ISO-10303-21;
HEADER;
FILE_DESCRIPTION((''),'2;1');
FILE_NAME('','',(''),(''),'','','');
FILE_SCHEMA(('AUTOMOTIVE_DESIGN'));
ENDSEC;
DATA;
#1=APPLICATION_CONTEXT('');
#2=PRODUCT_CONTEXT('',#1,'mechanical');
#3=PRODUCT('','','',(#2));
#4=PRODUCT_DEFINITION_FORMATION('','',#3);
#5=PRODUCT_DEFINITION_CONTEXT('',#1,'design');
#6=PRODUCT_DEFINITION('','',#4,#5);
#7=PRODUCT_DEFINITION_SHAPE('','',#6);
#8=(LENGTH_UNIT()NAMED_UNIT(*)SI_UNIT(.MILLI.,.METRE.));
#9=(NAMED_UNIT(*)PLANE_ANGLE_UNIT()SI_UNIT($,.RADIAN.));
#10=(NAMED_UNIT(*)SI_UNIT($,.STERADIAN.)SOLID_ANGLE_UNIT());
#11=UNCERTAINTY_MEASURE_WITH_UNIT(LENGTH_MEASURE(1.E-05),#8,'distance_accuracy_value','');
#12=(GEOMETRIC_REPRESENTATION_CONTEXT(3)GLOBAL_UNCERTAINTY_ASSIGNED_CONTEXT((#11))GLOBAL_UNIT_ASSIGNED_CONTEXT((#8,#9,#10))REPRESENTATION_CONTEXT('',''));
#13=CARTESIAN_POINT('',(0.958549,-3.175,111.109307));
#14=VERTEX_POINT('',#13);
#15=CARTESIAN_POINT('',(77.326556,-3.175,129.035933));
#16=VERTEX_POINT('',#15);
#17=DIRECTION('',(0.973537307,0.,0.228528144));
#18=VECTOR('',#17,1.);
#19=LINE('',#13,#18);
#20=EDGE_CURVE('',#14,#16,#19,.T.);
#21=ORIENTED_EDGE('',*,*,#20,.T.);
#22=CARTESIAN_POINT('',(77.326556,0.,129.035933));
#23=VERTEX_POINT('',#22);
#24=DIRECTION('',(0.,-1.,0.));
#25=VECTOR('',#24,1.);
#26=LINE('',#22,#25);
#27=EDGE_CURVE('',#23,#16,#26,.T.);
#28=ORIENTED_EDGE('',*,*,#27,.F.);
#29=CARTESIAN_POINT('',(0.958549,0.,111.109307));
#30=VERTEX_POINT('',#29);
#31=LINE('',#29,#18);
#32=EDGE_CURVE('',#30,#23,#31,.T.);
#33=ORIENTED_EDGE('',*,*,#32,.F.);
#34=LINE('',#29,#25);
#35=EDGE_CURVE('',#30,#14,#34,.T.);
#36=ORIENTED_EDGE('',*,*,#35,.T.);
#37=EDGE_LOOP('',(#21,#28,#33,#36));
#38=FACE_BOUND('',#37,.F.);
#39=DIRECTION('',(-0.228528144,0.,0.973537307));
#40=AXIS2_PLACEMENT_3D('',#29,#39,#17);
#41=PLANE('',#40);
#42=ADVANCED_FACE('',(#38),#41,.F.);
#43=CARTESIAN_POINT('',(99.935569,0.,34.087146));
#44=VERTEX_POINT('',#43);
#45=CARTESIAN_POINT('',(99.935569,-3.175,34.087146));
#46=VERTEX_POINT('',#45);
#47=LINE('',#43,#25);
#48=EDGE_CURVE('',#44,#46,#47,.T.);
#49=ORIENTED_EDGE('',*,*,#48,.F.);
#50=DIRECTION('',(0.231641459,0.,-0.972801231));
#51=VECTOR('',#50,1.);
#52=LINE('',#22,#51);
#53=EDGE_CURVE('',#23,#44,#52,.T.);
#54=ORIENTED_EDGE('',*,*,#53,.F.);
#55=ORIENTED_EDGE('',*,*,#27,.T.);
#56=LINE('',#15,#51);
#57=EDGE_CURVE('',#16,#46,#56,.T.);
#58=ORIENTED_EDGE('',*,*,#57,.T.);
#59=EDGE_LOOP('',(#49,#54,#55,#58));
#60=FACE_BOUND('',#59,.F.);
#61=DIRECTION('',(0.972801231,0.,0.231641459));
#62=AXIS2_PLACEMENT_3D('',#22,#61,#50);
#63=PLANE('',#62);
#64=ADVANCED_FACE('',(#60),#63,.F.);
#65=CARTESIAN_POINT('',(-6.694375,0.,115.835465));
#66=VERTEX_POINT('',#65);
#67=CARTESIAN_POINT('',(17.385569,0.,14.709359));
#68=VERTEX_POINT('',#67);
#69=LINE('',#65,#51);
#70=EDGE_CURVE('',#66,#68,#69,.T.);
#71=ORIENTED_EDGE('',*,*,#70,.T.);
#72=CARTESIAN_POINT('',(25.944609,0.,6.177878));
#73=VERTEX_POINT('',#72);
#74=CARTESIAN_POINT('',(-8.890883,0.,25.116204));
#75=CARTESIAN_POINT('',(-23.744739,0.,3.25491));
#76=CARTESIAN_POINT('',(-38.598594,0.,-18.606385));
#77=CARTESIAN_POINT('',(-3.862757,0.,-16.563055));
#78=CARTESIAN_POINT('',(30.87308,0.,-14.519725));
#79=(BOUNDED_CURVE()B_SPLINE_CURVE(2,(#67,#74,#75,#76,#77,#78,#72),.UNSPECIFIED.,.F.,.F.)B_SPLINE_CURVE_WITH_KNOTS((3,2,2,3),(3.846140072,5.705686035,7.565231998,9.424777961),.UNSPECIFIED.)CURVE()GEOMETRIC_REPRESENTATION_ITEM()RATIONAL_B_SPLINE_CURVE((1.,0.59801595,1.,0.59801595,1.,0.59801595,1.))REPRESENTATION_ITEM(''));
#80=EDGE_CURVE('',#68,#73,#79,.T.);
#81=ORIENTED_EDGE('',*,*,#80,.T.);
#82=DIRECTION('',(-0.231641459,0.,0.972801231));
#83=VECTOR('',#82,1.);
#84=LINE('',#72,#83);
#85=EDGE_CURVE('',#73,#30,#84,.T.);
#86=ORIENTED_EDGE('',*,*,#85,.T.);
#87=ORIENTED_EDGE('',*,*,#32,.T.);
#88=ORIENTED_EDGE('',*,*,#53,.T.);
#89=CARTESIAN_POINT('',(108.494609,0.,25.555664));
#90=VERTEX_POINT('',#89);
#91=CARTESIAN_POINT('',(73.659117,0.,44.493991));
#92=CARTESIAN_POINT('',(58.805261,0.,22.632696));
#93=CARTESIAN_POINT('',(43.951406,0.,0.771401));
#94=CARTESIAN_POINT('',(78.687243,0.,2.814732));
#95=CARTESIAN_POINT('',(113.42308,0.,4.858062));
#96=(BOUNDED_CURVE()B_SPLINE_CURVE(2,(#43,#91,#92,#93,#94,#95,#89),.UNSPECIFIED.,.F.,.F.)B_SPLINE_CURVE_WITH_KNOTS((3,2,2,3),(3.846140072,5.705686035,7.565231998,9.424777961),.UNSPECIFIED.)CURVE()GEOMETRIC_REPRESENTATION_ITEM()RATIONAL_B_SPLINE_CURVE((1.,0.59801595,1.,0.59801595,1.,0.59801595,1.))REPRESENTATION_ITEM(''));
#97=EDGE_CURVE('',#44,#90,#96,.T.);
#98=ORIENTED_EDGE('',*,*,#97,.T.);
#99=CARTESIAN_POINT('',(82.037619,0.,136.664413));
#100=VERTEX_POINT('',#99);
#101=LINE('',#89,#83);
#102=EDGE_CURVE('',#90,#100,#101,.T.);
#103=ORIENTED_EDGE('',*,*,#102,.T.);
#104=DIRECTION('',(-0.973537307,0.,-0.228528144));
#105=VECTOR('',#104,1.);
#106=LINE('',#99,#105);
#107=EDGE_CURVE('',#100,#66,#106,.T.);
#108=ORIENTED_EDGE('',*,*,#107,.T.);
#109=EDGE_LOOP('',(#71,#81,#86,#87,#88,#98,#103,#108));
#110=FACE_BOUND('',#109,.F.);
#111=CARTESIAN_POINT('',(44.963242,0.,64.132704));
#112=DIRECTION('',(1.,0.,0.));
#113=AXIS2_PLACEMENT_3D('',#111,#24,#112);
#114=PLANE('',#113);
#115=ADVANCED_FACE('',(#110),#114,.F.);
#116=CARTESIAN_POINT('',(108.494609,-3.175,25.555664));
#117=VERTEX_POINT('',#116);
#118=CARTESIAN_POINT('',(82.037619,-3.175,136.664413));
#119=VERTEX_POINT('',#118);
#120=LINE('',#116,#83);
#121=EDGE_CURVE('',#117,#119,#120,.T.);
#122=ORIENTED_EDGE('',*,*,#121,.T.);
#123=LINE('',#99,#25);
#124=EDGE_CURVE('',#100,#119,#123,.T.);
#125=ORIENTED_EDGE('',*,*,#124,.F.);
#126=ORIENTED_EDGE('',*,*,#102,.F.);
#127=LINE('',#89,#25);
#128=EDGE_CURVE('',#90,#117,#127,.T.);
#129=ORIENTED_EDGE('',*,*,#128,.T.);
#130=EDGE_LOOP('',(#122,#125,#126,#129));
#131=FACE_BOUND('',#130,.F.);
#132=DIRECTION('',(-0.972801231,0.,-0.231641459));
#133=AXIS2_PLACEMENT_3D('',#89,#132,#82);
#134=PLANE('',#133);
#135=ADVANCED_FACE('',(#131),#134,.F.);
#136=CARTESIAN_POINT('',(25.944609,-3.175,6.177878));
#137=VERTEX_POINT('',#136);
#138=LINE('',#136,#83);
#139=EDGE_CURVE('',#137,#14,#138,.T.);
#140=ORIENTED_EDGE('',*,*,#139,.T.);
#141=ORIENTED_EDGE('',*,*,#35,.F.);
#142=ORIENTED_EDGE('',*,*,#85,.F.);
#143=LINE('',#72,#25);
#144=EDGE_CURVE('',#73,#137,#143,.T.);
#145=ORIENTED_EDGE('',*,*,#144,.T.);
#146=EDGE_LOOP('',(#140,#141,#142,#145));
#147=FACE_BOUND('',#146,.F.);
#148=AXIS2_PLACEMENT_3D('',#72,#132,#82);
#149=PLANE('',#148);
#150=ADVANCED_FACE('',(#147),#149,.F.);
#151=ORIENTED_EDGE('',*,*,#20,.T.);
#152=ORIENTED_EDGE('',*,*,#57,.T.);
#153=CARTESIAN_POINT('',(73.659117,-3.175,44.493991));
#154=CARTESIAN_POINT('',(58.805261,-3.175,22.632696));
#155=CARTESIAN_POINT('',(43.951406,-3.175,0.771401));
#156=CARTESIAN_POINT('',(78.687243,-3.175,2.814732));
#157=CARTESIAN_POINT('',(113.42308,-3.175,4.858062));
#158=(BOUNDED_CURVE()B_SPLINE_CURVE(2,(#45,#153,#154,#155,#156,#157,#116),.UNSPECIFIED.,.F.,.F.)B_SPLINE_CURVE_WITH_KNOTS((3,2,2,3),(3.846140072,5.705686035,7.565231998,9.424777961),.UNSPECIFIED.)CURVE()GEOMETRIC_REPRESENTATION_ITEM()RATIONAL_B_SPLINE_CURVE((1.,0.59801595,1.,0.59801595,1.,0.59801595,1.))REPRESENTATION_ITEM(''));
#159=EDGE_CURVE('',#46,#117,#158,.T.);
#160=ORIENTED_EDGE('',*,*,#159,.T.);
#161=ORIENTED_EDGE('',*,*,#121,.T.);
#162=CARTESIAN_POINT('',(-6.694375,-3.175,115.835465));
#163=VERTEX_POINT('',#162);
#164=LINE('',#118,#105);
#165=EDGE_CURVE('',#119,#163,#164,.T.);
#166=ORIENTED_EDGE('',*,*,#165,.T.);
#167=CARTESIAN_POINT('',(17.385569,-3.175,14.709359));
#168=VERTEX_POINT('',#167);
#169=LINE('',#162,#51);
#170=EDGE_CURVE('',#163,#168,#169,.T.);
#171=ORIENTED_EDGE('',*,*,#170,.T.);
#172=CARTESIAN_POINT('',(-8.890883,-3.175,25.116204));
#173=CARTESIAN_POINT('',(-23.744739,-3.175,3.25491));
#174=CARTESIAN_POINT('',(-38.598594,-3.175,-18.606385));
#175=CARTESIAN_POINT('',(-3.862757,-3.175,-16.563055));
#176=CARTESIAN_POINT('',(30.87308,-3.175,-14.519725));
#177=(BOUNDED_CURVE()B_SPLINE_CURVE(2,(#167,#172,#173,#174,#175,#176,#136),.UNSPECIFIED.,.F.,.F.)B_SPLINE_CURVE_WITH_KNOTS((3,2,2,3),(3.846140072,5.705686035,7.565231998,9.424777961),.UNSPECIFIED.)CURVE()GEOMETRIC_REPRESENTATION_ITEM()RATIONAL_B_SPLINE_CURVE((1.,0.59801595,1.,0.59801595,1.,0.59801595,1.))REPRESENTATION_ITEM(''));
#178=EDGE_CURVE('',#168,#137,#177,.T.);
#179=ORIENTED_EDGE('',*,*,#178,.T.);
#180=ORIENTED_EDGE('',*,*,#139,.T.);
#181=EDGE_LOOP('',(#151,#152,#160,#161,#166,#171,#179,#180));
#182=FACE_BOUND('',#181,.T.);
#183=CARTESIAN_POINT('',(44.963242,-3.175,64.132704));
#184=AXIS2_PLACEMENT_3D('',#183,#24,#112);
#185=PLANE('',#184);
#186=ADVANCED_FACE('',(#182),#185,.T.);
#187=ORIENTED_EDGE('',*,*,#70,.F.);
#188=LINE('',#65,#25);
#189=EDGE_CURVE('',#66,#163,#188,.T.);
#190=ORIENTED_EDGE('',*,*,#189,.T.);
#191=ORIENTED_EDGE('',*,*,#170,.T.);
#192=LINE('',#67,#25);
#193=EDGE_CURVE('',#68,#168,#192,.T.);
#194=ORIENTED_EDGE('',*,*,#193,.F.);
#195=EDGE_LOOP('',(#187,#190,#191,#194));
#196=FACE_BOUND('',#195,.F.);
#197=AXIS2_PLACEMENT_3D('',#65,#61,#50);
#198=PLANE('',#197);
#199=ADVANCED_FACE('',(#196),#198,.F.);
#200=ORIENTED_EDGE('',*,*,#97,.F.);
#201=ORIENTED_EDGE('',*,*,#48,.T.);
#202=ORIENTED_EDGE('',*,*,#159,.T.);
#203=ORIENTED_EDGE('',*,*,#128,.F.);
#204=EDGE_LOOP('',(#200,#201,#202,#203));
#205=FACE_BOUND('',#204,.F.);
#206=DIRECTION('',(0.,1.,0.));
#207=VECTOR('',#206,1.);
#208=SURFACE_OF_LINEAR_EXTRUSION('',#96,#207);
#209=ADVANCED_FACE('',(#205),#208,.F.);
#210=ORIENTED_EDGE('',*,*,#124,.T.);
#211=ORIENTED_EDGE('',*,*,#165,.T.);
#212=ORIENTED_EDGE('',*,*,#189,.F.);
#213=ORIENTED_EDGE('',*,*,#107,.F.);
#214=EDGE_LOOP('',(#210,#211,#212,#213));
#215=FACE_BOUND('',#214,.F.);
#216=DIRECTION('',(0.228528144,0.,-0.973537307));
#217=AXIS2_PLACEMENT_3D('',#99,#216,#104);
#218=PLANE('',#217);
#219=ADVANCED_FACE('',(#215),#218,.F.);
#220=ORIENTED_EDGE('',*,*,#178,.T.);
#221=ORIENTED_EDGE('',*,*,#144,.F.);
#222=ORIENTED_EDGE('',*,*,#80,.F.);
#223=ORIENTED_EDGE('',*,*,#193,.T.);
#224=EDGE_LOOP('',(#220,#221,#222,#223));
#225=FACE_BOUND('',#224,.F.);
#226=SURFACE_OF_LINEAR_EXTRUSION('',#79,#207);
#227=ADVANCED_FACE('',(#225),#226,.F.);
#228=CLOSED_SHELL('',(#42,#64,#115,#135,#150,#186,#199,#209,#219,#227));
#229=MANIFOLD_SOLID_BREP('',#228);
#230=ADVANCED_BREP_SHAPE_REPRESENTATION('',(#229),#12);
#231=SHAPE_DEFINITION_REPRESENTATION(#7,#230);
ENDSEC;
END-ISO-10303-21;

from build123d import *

# Parameters (mm, degrees)
F1_DEPTH = 3.175


with BuildPart() as f1:
    # F0 (on Front) → F1 (new body)
    with BuildSketch(Plane.XZ):
        with BuildLine():
            Line((-6.6943748936, 115.8354653233), (17.3855687052, 14.7093589669))
            add(Edge.make_bspline(
                [(17.3855687052, 14.7093589669), (-8.890883484, 25.1162044882), (-23.7447389019, 3.2549096373), (-38.5985943197, -18.6063852136), (-3.8627571444, -16.5630550574), (30.873080031, -14.5197249013), (25.9446088261, 6.1778776988)],
                knots=[3.846140072, 3.846140072, 3.846140072, 5.705686035, 5.705686035, 7.5652319979, 7.5652319979, 9.4247779608, 9.4247779608, 9.4247779608], degree=2, weights=[1, 0.5980159495, 1, 0.5980159495, 1, 0.5980159495, 1]))
            Line((25.9446088261, 6.1778776988), (0.9585494278, 111.1093070346))
            Line((0.9585494278, 111.1093070346), (77.3265558952, 129.0359325798))
            Line((77.3265558952, 129.0359325798), (99.9355687052, 34.0871456502))
            add(Edge.make_bspline(
                [(99.9355687052, 34.0871456502), (73.659116516, 44.4939911714), (58.8052610981, 22.6326963206), (43.9514056803, 0.7714014697), (78.6872428556, 2.8147316259), (113.423080031, 4.858061782), (108.4946088261, 25.5556643821)],
                knots=[3.846140072, 3.846140072, 3.846140072, 5.705686035, 5.705686035, 7.5652319979, 7.5652319979, 9.4247779608, 9.4247779608, 9.4247779608], degree=2, weights=[1, 0.5980159495, 1, 0.5980159495, 1, 0.5980159495, 1]))
            Line((108.4946088261, 25.5556643821), (82.037618639, 136.6644131446))
            Line((82.037618639, 136.6644131446), (-6.6943748936, 115.8354653233))
        make_face()
    extrude(amount=F1_DEPTH)


solid = f1.part
